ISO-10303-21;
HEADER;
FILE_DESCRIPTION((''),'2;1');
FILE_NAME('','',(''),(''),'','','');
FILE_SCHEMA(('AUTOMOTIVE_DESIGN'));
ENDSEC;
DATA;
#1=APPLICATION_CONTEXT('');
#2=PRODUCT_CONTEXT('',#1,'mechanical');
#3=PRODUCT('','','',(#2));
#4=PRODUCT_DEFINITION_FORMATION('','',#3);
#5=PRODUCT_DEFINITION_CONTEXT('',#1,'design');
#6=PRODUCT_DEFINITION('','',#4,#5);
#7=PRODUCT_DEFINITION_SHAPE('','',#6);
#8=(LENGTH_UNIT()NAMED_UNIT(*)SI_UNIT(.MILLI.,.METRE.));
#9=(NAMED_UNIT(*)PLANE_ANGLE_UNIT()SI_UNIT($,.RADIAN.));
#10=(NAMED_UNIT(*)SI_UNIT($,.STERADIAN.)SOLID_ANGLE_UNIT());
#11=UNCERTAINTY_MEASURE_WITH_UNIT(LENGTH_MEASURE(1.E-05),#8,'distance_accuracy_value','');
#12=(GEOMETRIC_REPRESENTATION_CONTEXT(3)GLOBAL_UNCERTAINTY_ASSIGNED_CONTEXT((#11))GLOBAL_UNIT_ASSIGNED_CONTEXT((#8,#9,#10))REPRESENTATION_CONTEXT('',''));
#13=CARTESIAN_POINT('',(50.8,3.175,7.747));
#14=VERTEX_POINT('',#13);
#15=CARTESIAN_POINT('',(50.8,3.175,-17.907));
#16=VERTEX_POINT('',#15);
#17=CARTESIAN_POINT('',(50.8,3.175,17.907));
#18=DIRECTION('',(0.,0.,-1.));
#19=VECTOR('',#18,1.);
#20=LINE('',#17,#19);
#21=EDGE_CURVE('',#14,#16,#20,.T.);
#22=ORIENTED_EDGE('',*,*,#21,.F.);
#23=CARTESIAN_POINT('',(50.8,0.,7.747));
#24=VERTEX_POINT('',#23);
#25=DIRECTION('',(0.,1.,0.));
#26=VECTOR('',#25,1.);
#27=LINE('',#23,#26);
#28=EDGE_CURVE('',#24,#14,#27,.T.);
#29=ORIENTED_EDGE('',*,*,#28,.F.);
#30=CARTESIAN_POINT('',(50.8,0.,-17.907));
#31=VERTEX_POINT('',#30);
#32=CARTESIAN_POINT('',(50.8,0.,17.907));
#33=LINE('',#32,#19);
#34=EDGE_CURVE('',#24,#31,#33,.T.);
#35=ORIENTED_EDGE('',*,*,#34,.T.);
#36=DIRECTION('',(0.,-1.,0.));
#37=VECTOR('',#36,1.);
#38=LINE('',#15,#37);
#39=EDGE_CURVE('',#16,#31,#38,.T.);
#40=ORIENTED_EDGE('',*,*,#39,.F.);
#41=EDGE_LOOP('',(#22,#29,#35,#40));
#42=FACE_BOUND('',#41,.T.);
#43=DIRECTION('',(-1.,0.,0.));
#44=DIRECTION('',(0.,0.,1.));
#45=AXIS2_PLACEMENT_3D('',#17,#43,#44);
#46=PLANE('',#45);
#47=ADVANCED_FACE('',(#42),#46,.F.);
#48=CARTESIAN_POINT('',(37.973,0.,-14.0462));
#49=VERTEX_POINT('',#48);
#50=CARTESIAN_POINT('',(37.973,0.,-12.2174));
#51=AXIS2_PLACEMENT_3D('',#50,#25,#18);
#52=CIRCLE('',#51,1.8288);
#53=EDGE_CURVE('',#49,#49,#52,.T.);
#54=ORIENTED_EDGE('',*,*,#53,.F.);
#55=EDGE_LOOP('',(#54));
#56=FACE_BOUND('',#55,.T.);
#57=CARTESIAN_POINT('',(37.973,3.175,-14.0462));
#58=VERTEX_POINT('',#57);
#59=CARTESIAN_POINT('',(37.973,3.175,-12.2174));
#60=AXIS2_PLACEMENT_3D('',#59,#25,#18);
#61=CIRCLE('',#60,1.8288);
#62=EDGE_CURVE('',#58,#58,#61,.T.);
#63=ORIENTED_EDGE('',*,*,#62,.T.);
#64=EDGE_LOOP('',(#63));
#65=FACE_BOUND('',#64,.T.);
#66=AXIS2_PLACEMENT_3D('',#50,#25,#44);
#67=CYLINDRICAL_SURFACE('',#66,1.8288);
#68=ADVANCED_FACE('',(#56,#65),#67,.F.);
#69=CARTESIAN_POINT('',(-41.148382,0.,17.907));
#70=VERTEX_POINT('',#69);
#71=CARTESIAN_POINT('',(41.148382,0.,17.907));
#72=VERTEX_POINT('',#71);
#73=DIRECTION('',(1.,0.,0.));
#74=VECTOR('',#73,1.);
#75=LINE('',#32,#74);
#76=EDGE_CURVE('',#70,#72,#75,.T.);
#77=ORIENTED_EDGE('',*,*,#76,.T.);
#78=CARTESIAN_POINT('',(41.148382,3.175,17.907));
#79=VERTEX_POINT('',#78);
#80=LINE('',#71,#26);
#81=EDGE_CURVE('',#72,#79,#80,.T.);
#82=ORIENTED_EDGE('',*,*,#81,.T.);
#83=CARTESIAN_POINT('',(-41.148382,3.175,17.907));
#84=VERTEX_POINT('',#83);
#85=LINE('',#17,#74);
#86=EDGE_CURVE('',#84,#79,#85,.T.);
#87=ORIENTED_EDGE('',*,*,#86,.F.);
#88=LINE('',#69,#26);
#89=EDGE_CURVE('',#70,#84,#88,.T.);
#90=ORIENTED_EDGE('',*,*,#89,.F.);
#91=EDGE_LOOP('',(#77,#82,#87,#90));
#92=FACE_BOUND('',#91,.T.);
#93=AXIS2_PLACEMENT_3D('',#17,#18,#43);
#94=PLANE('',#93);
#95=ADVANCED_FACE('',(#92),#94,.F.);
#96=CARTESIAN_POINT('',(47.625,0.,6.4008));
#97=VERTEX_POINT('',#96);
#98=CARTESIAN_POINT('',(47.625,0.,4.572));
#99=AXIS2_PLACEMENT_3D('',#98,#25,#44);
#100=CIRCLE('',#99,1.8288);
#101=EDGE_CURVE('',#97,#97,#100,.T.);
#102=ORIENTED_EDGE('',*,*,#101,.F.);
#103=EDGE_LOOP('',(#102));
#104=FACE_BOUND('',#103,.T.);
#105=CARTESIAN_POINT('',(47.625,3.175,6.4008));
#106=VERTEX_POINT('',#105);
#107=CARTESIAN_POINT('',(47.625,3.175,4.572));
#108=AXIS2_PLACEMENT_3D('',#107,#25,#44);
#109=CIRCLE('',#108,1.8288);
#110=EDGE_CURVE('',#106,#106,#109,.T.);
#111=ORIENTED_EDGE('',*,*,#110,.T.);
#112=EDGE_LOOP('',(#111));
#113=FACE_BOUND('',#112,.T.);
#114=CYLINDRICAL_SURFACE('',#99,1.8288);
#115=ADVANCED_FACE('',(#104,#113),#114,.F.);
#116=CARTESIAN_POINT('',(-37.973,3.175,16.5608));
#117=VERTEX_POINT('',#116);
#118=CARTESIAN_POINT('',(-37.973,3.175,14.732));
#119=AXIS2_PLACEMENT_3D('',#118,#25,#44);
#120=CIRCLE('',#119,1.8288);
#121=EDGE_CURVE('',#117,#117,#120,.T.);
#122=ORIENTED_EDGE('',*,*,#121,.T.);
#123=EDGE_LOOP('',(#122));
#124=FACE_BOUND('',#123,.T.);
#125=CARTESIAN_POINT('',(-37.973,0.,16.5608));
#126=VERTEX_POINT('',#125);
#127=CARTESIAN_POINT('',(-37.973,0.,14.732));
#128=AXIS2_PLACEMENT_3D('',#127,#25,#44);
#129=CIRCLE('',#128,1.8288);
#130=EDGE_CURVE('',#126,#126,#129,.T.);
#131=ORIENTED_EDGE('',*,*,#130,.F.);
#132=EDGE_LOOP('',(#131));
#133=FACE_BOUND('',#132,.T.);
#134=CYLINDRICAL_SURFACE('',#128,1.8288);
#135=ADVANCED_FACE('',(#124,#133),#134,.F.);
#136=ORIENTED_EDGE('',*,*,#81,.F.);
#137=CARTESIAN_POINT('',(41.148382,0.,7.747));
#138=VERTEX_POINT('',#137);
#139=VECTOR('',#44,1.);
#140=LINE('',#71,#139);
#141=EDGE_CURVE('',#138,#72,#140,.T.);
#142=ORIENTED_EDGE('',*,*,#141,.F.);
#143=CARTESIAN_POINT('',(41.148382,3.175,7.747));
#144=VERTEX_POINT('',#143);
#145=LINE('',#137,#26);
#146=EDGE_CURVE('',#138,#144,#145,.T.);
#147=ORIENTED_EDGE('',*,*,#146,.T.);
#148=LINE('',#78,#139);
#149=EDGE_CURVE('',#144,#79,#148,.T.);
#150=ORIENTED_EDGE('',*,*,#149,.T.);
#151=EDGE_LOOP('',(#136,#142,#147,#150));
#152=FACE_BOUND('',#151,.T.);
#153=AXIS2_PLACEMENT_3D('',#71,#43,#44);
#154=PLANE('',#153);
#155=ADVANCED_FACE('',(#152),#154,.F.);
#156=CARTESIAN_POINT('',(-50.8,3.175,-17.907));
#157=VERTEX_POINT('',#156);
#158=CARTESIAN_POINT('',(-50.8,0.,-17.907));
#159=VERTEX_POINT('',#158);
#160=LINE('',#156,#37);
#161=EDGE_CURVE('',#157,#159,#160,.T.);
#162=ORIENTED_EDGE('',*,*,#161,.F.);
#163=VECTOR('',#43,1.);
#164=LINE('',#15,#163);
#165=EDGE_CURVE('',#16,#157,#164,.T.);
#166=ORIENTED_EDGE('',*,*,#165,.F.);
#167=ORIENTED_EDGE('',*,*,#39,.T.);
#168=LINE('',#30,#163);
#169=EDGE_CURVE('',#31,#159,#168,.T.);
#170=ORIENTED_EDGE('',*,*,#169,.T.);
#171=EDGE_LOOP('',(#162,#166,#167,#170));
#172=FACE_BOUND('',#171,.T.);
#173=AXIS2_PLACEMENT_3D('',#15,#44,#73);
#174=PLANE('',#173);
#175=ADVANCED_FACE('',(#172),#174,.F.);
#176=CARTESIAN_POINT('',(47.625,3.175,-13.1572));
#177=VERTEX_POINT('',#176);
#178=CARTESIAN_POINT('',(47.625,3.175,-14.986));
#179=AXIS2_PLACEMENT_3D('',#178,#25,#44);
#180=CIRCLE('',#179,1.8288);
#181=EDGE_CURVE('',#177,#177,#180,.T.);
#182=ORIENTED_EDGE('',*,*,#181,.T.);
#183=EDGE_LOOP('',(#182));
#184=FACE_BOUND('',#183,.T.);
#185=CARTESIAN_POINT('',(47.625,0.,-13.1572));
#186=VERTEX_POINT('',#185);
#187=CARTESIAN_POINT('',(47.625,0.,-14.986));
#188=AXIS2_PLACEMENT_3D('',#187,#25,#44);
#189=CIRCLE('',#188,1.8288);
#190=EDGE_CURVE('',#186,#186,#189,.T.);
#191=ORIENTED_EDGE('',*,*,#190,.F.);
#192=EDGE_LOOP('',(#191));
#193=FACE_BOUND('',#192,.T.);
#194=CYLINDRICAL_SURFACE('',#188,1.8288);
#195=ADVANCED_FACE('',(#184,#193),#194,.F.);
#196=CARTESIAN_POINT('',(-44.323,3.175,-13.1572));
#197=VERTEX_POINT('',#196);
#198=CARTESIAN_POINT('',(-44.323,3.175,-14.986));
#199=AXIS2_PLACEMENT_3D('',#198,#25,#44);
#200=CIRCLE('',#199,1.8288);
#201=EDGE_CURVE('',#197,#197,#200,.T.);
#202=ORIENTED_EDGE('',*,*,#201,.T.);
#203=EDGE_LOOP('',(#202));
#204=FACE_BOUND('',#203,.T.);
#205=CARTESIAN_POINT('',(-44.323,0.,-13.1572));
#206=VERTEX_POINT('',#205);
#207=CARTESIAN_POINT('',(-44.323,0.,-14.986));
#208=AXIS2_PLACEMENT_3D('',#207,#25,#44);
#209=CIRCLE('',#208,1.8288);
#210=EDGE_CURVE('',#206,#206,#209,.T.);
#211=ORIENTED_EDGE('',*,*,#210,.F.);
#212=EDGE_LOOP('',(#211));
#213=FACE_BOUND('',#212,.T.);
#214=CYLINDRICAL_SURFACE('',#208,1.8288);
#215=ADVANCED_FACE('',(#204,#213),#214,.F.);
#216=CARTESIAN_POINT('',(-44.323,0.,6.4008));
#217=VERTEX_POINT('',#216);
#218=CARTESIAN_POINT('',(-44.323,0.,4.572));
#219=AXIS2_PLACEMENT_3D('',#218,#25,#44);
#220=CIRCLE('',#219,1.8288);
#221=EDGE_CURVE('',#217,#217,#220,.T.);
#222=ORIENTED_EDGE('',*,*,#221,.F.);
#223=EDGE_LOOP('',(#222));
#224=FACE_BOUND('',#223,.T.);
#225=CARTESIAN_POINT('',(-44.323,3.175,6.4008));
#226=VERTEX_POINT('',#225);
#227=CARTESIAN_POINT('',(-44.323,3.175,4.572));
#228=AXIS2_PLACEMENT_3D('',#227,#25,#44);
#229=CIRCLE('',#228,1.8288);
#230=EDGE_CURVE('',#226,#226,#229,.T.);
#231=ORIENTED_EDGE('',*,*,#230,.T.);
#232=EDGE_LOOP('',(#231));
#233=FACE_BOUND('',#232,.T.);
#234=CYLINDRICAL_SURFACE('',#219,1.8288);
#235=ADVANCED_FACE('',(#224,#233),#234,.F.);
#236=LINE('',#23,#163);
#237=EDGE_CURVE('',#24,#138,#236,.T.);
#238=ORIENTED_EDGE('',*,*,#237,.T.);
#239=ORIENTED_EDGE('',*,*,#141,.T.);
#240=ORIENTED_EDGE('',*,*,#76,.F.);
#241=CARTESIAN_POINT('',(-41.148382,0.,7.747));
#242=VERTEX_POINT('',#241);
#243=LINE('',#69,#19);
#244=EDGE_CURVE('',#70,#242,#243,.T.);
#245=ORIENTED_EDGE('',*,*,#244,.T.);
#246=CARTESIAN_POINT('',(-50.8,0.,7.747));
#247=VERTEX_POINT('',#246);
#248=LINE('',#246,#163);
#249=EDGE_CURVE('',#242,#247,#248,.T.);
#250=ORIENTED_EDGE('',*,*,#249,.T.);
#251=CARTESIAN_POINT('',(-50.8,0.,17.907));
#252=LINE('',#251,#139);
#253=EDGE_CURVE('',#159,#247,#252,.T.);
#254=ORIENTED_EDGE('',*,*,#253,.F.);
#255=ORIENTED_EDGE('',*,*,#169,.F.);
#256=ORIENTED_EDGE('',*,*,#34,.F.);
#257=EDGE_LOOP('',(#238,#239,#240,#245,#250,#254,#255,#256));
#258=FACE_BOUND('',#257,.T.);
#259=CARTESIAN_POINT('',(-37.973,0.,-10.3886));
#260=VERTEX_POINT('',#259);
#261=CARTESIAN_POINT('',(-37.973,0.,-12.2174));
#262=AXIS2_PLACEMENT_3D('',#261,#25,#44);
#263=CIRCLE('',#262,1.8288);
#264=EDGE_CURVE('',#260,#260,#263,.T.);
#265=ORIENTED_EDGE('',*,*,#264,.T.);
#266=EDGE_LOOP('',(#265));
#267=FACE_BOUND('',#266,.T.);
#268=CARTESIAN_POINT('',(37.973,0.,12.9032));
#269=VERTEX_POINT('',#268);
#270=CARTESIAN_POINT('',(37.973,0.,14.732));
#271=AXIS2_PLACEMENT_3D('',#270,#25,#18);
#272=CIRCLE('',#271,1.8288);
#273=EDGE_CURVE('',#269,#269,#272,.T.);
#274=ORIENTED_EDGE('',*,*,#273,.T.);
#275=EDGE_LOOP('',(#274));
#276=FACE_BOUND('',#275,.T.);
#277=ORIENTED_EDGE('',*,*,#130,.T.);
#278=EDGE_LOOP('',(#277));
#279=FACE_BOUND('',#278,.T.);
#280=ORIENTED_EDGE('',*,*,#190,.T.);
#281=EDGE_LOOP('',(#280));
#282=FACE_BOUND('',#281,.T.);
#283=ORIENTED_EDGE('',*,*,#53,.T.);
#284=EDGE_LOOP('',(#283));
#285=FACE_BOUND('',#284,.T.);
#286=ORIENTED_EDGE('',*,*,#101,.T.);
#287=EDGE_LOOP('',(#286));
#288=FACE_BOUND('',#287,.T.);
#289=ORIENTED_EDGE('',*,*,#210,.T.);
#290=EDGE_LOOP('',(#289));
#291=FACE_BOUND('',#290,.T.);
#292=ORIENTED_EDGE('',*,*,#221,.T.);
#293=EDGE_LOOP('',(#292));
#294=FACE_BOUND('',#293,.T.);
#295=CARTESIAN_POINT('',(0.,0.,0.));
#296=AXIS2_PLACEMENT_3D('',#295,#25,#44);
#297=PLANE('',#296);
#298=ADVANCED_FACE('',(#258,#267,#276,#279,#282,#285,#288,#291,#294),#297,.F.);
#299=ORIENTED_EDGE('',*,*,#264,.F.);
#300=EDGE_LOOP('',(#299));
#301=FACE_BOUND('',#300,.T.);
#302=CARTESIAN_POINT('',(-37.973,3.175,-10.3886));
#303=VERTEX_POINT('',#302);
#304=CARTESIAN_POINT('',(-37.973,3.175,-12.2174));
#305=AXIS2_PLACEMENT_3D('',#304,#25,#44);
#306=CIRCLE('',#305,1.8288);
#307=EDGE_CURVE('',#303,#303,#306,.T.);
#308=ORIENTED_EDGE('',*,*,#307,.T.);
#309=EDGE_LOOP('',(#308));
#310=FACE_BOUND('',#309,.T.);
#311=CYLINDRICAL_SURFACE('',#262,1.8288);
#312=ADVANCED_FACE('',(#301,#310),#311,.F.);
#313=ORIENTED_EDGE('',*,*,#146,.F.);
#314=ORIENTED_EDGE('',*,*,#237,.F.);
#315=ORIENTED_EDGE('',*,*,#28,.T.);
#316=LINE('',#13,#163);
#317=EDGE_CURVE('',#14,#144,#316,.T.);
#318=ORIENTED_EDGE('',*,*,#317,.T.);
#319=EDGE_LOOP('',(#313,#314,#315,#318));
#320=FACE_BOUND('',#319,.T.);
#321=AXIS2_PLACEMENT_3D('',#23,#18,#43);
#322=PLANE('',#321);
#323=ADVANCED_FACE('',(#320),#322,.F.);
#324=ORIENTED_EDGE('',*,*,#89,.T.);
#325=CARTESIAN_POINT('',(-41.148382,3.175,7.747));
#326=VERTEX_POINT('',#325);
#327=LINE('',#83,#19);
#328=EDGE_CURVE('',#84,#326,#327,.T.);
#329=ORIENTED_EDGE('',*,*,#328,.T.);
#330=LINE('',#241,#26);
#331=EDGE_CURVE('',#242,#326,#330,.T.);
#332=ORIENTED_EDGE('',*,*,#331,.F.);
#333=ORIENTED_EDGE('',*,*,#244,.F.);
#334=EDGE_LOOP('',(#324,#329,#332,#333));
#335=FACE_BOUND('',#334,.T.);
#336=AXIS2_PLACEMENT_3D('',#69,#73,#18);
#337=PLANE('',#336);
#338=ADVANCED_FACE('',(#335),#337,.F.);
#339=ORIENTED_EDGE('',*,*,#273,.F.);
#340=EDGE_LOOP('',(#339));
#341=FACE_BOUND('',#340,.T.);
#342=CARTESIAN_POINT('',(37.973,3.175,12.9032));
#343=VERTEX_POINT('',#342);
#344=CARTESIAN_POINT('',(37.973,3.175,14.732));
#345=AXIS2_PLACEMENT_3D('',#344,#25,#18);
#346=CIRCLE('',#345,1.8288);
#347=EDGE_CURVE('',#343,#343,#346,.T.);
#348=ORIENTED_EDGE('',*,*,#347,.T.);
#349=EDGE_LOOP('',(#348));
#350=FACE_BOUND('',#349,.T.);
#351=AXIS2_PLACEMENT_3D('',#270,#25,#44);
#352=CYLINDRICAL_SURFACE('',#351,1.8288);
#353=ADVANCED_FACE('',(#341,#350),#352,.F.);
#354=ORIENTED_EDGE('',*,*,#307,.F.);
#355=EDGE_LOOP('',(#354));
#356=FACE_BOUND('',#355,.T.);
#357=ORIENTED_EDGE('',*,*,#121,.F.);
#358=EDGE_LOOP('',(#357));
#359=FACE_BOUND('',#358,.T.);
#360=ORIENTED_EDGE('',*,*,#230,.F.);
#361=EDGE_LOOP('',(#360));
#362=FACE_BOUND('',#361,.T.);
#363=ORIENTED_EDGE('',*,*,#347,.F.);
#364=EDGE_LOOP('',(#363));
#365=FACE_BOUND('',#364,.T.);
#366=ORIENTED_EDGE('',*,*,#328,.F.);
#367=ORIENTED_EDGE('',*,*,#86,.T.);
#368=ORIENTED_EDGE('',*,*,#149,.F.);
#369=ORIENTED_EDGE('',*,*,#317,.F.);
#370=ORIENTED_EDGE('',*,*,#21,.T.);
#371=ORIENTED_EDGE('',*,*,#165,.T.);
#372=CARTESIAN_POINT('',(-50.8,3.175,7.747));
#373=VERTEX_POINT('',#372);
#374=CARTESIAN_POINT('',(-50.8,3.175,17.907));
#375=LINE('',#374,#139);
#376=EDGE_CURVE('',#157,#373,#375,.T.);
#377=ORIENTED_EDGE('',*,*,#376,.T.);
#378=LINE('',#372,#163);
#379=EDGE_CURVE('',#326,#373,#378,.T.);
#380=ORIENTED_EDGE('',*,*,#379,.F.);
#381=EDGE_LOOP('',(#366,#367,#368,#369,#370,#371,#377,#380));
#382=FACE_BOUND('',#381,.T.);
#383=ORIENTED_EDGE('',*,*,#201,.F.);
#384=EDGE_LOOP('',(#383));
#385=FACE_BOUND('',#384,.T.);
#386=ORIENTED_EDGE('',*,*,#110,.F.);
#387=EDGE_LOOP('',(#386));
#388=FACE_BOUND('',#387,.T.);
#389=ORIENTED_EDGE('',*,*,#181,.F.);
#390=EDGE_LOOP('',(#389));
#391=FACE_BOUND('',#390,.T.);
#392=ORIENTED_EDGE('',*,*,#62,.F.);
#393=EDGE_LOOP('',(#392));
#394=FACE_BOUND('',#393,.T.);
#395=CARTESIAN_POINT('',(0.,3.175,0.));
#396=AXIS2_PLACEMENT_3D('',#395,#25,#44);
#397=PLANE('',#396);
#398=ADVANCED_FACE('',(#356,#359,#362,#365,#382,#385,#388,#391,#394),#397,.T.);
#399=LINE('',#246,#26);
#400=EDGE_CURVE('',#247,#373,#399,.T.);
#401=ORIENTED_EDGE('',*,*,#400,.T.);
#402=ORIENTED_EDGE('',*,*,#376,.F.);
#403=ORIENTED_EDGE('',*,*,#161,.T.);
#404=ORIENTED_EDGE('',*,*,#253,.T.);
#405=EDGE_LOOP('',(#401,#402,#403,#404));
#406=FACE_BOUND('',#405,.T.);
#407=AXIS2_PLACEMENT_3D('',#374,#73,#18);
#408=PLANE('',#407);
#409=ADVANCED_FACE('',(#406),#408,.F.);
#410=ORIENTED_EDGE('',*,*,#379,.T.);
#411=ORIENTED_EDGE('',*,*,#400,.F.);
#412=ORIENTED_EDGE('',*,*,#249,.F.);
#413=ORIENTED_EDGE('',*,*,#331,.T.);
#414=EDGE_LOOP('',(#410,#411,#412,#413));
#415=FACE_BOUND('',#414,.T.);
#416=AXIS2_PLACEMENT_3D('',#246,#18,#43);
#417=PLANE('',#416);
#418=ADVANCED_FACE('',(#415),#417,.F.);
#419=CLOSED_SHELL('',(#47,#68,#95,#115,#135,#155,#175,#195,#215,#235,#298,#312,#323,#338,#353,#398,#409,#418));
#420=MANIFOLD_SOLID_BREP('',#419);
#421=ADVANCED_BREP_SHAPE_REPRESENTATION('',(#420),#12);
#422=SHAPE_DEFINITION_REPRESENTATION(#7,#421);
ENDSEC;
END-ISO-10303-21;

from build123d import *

# Parameters (mm, degrees)
SKETCH2_W           = 101.6
SKETCH2_H           = 35.814
BOSS_EXTRUDE1_DEPTH = 3.175
SKETCH3_R           = 1.8288
CUT_EXTRUDE1_DEPTH  = 4.175
SKETCH4_R           = 1.8288
CUT_EXTRUDE2_DEPTH  = 4.175
SKETCH5_W           = 9.651618186
SKETCH5_H           = 10.16
CUT_EXTRUDE3_DEPTH  = 4.175


with BuildPart() as part:
    # Sketch2 → Boss-Extrude1 (new body)
    with BuildSketch(Plane(origin=(0, 0, 0), x_dir=(1, 0, 0), z_dir=(0, 1, 0))):
        Rectangle(SKETCH2_W, SKETCH2_H)
    extrude(amount=BOSS_EXTRUDE1_DEPTH)

    # Sketch3 → Cut-Extrude1 (cut, through all)
    with BuildSketch(Plane(origin=(0, 3.175, 0), x_dir=(1, 0, 0), z_dir=(0, 1, 0))):
        with Locations((47.625, 14.986)):
            Circle(SKETCH3_R)
        with Locations((47.625, -4.572)):
            Circle(SKETCH3_R)
        with Locations((-44.323, 14.986)):
            Circle(SKETCH3_R)
        with Locations((-44.323, -4.572)):
            Circle(SKETCH3_R)
    extrude(amount=-CUT_EXTRUDE1_DEPTH, mode=Mode.SUBTRACT)

    # Sketch4 → Cut-Extrude2 (cut, through all)
    with BuildSketch(Plane(origin=(0, 3.175, 0), x_dir=(1, 0, 0), z_dir=(0, 1, 0))):
        with Locations((-37.973, -14.732)):
            Circle(SKETCH4_R)
        with Locations((-37.973, 12.2174)):
            Circle(SKETCH4_R)
        with Locations((37.973, -14.732)):
            Circle(SKETCH4_R)
        with Locations((37.973, 12.2174)):
            Circle(SKETCH4_R)
    extrude(amount=-CUT_EXTRUDE2_DEPTH, mode=Mode.SUBTRACT)

    # Sketch5 → Cut-Extrude3 (cut, through all)
    with BuildSketch(Plane(origin=(0, 3.175, 0), x_dir=(1, 0, 0), z_dir=(0, 1, 0))):
        with Locations((45.974190907, -12.827)):
            Rectangle(SKETCH5_W, SKETCH5_H)
        with Locations((-45.974190907, -12.827)):
            Rectangle(SKETCH5_W, SKETCH5_H)
    extrude(amount=-CUT_EXTRUDE3_DEPTH, mode=Mode.SUBTRACT)


solid = part.part
